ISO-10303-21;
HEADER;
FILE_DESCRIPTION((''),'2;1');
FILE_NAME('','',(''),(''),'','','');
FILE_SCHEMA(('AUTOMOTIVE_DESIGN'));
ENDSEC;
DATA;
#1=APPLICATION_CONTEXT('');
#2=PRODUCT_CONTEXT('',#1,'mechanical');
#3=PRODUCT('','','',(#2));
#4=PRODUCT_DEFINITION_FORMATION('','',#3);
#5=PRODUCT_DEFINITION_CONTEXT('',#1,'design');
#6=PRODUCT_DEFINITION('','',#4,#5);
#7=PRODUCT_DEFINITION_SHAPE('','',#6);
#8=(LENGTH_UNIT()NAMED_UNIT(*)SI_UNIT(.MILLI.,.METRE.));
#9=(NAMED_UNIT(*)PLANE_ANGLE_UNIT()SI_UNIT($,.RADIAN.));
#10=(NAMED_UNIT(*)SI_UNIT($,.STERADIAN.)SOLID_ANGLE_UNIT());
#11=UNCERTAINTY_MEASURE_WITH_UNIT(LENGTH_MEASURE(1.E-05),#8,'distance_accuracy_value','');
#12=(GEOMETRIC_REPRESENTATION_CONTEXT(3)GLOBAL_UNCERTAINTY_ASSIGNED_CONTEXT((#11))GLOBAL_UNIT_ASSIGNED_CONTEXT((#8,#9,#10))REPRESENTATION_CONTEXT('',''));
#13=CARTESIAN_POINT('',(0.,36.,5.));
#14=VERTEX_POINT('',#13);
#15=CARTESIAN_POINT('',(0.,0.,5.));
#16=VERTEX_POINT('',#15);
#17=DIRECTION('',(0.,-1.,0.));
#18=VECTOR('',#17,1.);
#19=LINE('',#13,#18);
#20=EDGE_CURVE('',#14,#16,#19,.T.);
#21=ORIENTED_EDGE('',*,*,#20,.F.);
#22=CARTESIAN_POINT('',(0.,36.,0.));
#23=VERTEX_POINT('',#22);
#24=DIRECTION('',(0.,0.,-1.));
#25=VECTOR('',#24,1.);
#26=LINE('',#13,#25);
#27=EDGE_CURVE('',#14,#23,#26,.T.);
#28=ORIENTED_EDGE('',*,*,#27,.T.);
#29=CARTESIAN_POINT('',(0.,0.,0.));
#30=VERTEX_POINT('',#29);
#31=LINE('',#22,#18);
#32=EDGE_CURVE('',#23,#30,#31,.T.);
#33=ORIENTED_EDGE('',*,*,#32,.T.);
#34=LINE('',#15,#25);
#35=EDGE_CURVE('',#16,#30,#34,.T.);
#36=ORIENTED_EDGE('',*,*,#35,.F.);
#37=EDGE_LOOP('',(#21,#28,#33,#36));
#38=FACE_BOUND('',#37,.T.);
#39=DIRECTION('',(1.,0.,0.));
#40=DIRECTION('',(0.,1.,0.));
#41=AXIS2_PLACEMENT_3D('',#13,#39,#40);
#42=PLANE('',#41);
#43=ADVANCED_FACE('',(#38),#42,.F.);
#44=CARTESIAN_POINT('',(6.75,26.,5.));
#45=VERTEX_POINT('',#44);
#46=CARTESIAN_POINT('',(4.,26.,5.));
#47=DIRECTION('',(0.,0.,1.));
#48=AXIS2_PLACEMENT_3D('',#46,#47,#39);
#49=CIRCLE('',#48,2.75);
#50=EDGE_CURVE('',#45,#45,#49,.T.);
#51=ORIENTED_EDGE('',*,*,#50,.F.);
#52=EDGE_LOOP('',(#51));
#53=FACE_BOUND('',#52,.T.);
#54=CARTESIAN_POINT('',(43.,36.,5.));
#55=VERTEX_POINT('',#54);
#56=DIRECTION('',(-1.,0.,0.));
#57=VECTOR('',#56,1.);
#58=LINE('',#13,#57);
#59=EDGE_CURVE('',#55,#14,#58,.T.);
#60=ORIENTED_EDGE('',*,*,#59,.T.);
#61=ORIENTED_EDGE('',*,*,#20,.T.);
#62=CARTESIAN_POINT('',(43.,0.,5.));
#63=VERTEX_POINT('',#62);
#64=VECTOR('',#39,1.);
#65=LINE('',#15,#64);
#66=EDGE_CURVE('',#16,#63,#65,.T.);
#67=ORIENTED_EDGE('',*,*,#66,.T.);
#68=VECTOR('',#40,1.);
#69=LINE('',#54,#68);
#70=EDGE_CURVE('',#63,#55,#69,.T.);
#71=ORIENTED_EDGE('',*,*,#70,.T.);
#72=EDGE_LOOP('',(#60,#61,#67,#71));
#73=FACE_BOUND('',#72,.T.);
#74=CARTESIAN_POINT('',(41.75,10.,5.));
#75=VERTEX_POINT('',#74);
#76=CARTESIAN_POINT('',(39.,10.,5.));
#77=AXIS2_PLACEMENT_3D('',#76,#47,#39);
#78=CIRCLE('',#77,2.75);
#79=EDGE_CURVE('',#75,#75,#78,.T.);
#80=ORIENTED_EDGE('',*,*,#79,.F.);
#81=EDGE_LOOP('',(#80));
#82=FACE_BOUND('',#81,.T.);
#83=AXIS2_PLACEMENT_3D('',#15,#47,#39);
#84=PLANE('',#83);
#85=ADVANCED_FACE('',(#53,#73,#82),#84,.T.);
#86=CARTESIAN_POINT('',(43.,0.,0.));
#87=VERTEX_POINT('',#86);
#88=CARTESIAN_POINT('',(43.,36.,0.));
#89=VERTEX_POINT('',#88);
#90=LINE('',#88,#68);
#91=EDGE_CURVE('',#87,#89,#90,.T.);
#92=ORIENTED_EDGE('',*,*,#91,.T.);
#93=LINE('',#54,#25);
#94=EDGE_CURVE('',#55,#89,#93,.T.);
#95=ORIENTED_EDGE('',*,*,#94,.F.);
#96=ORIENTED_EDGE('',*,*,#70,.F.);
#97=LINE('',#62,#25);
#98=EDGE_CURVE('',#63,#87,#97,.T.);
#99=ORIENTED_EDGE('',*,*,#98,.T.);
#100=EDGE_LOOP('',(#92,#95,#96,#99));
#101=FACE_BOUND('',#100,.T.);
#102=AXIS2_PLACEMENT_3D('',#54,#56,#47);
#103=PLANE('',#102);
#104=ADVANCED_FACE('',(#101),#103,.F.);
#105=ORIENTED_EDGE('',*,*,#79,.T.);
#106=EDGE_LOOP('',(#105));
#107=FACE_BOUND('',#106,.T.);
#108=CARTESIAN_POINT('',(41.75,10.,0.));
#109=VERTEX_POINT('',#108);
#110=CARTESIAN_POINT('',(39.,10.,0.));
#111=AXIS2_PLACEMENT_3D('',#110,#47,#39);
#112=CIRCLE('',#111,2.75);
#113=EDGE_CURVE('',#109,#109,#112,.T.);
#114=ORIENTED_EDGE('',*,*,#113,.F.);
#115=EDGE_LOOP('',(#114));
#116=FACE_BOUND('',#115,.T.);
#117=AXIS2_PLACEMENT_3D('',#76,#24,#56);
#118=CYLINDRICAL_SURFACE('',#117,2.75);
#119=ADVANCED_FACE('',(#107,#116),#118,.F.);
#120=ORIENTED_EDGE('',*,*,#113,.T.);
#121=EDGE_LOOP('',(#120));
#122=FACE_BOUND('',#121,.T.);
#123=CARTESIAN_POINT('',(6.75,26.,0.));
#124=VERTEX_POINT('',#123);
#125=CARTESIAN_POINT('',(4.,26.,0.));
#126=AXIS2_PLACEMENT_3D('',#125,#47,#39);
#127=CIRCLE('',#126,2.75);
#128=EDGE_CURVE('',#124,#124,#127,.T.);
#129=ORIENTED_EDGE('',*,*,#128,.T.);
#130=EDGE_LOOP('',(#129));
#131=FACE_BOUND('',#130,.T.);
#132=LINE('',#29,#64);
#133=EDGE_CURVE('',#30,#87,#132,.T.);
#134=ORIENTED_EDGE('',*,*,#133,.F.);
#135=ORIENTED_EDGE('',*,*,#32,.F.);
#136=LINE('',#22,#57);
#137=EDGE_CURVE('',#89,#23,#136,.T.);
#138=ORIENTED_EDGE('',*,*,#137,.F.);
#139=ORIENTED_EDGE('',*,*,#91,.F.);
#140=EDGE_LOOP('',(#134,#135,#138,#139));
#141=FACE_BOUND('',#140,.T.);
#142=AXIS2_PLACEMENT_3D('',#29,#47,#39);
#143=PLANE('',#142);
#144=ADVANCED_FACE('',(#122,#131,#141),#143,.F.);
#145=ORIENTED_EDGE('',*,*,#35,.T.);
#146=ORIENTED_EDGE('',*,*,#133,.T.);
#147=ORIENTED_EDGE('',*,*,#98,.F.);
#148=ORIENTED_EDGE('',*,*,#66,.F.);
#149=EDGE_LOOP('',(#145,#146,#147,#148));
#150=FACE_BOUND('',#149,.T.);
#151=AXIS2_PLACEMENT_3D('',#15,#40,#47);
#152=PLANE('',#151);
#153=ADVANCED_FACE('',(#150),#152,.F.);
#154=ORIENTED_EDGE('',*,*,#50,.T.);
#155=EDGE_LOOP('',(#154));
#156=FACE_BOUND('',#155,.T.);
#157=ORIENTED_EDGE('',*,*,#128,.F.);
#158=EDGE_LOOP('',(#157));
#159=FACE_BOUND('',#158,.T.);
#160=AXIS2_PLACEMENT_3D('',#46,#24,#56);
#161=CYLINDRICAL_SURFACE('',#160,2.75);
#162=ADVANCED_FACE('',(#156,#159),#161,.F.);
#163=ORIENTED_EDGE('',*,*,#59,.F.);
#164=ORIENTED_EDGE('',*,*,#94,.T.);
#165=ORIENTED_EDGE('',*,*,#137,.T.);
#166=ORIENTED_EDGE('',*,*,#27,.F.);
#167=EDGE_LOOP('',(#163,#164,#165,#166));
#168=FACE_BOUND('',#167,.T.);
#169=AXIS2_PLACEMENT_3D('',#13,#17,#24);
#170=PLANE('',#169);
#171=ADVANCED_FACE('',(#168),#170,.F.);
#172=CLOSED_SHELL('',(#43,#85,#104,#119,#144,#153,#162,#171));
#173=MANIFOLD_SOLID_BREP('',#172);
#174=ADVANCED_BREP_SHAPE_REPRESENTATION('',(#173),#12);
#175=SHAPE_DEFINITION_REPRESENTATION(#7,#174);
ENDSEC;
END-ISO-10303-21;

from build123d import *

# Parameters (mm, degrees)
SKIZZE1_W                       = 43
SKIZZE1_H                       = 36
SKIZZE1_R                       = 2.75
AUFSATZ_LINEAR_AUSTRAGEN1_DEPTH = 5


with BuildPart() as part:
    # Skizze1 → Aufsatz-Linear austragen1 (new body)
    with BuildSketch(Plane.XY):
        with Locations((21.5, 18)):
            Rectangle(SKIZZE1_W, SKIZZE1_H)
        with Locations((4, 26)):
            Circle(SKIZZE1_R, mode=Mode.SUBTRACT)
        with Locations((39, 10)):
            Circle(SKIZZE1_R, mode=Mode.SUBTRACT)
    extrude(amount=AUFSATZ_LINEAR_AUSTRAGEN1_DEPTH)


solid = part.part
